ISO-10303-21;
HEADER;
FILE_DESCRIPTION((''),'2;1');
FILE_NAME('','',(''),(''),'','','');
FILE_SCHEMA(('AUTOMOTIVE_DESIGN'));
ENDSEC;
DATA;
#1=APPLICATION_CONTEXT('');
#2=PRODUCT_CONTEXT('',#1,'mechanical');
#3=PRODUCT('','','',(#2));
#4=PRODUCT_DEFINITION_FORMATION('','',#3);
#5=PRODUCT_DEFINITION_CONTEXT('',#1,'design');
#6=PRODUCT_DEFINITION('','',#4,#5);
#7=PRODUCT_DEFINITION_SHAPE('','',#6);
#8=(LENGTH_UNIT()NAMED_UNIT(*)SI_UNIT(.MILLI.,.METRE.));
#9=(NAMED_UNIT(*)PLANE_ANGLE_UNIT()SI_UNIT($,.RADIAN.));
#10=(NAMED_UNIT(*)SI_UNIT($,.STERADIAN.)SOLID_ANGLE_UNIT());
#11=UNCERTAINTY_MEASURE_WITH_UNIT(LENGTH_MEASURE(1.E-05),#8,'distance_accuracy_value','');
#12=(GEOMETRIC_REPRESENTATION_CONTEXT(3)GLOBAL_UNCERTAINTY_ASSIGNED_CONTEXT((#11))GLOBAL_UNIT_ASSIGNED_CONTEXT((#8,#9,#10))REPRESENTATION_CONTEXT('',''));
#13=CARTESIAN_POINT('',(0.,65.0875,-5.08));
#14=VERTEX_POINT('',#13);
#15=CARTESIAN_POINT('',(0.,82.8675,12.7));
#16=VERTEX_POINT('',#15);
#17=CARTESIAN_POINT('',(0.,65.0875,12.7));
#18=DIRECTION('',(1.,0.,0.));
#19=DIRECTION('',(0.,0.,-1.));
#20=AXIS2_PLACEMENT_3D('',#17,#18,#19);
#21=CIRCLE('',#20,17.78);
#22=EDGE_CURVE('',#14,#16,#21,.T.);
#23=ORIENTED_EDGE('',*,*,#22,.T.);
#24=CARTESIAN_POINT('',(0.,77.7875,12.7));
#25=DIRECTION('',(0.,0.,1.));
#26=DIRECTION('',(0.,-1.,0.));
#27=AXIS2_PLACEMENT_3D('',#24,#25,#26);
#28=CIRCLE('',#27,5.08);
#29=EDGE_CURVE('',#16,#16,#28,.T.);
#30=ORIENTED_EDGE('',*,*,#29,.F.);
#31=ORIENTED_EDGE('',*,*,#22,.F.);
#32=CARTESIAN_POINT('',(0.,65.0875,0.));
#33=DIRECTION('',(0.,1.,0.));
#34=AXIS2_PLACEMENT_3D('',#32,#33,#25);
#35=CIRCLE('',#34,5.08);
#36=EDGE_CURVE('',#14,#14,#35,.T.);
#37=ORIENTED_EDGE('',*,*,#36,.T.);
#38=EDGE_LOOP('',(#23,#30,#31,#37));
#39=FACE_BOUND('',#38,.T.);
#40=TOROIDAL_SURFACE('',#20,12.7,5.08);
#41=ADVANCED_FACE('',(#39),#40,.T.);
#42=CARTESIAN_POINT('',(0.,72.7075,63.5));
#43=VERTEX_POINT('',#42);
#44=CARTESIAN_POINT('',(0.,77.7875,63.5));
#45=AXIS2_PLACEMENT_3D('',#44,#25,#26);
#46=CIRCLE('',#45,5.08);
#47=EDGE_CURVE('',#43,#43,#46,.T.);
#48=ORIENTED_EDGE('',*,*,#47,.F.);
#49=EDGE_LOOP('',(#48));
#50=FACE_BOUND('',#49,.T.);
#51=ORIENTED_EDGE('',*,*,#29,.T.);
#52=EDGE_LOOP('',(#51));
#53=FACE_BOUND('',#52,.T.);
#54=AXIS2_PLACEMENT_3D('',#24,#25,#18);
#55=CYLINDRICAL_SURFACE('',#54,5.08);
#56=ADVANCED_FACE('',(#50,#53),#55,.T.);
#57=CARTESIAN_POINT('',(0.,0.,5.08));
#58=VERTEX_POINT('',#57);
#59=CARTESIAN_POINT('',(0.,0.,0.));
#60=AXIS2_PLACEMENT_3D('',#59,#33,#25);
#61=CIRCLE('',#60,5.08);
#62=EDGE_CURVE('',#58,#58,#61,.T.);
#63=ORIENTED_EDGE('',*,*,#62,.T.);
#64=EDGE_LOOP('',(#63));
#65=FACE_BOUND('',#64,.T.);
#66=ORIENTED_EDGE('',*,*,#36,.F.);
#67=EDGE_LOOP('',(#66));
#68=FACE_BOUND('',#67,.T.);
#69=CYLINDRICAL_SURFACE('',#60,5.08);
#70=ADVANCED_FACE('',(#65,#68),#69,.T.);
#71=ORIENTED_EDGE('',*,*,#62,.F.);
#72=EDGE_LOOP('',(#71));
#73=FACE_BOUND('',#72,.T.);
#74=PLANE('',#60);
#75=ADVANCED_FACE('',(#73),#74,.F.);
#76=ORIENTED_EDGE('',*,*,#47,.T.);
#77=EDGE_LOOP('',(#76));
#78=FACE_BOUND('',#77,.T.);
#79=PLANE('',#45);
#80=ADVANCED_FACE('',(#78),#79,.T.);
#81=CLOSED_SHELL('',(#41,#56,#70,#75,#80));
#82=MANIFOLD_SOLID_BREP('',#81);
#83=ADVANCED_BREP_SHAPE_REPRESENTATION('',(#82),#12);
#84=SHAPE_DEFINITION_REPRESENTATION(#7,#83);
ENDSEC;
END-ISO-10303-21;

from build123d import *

# Parameters (mm, degrees)
SKETCH1_R = 5.08


with BuildPart() as part:
    # Sweep1: sweep along a path in Sketch2
    with BuildLine(Plane(origin=(0, 0, 0), x_dir=(0, 0, -1), z_dir=(1, 0, 0))) as sweep1_path:
        Line((0, 0), (0, 65.0875))
        ThreePointArc((0, 65.0875), (-3.719743879, 74.067756121), (-12.7, 77.7875))
        Line((-12.7, 77.7875), (-63.5, 77.7875))
    # Sketch1 → Sweep1 (sweep)
    with BuildSketch(Plane(origin=(0, 0, 0), x_dir=(1, 0, 0), z_dir=(0, 1, 0))):
        Circle(SKETCH1_R)
    sweep(path=sweep1_path.line)


solid = part.part
